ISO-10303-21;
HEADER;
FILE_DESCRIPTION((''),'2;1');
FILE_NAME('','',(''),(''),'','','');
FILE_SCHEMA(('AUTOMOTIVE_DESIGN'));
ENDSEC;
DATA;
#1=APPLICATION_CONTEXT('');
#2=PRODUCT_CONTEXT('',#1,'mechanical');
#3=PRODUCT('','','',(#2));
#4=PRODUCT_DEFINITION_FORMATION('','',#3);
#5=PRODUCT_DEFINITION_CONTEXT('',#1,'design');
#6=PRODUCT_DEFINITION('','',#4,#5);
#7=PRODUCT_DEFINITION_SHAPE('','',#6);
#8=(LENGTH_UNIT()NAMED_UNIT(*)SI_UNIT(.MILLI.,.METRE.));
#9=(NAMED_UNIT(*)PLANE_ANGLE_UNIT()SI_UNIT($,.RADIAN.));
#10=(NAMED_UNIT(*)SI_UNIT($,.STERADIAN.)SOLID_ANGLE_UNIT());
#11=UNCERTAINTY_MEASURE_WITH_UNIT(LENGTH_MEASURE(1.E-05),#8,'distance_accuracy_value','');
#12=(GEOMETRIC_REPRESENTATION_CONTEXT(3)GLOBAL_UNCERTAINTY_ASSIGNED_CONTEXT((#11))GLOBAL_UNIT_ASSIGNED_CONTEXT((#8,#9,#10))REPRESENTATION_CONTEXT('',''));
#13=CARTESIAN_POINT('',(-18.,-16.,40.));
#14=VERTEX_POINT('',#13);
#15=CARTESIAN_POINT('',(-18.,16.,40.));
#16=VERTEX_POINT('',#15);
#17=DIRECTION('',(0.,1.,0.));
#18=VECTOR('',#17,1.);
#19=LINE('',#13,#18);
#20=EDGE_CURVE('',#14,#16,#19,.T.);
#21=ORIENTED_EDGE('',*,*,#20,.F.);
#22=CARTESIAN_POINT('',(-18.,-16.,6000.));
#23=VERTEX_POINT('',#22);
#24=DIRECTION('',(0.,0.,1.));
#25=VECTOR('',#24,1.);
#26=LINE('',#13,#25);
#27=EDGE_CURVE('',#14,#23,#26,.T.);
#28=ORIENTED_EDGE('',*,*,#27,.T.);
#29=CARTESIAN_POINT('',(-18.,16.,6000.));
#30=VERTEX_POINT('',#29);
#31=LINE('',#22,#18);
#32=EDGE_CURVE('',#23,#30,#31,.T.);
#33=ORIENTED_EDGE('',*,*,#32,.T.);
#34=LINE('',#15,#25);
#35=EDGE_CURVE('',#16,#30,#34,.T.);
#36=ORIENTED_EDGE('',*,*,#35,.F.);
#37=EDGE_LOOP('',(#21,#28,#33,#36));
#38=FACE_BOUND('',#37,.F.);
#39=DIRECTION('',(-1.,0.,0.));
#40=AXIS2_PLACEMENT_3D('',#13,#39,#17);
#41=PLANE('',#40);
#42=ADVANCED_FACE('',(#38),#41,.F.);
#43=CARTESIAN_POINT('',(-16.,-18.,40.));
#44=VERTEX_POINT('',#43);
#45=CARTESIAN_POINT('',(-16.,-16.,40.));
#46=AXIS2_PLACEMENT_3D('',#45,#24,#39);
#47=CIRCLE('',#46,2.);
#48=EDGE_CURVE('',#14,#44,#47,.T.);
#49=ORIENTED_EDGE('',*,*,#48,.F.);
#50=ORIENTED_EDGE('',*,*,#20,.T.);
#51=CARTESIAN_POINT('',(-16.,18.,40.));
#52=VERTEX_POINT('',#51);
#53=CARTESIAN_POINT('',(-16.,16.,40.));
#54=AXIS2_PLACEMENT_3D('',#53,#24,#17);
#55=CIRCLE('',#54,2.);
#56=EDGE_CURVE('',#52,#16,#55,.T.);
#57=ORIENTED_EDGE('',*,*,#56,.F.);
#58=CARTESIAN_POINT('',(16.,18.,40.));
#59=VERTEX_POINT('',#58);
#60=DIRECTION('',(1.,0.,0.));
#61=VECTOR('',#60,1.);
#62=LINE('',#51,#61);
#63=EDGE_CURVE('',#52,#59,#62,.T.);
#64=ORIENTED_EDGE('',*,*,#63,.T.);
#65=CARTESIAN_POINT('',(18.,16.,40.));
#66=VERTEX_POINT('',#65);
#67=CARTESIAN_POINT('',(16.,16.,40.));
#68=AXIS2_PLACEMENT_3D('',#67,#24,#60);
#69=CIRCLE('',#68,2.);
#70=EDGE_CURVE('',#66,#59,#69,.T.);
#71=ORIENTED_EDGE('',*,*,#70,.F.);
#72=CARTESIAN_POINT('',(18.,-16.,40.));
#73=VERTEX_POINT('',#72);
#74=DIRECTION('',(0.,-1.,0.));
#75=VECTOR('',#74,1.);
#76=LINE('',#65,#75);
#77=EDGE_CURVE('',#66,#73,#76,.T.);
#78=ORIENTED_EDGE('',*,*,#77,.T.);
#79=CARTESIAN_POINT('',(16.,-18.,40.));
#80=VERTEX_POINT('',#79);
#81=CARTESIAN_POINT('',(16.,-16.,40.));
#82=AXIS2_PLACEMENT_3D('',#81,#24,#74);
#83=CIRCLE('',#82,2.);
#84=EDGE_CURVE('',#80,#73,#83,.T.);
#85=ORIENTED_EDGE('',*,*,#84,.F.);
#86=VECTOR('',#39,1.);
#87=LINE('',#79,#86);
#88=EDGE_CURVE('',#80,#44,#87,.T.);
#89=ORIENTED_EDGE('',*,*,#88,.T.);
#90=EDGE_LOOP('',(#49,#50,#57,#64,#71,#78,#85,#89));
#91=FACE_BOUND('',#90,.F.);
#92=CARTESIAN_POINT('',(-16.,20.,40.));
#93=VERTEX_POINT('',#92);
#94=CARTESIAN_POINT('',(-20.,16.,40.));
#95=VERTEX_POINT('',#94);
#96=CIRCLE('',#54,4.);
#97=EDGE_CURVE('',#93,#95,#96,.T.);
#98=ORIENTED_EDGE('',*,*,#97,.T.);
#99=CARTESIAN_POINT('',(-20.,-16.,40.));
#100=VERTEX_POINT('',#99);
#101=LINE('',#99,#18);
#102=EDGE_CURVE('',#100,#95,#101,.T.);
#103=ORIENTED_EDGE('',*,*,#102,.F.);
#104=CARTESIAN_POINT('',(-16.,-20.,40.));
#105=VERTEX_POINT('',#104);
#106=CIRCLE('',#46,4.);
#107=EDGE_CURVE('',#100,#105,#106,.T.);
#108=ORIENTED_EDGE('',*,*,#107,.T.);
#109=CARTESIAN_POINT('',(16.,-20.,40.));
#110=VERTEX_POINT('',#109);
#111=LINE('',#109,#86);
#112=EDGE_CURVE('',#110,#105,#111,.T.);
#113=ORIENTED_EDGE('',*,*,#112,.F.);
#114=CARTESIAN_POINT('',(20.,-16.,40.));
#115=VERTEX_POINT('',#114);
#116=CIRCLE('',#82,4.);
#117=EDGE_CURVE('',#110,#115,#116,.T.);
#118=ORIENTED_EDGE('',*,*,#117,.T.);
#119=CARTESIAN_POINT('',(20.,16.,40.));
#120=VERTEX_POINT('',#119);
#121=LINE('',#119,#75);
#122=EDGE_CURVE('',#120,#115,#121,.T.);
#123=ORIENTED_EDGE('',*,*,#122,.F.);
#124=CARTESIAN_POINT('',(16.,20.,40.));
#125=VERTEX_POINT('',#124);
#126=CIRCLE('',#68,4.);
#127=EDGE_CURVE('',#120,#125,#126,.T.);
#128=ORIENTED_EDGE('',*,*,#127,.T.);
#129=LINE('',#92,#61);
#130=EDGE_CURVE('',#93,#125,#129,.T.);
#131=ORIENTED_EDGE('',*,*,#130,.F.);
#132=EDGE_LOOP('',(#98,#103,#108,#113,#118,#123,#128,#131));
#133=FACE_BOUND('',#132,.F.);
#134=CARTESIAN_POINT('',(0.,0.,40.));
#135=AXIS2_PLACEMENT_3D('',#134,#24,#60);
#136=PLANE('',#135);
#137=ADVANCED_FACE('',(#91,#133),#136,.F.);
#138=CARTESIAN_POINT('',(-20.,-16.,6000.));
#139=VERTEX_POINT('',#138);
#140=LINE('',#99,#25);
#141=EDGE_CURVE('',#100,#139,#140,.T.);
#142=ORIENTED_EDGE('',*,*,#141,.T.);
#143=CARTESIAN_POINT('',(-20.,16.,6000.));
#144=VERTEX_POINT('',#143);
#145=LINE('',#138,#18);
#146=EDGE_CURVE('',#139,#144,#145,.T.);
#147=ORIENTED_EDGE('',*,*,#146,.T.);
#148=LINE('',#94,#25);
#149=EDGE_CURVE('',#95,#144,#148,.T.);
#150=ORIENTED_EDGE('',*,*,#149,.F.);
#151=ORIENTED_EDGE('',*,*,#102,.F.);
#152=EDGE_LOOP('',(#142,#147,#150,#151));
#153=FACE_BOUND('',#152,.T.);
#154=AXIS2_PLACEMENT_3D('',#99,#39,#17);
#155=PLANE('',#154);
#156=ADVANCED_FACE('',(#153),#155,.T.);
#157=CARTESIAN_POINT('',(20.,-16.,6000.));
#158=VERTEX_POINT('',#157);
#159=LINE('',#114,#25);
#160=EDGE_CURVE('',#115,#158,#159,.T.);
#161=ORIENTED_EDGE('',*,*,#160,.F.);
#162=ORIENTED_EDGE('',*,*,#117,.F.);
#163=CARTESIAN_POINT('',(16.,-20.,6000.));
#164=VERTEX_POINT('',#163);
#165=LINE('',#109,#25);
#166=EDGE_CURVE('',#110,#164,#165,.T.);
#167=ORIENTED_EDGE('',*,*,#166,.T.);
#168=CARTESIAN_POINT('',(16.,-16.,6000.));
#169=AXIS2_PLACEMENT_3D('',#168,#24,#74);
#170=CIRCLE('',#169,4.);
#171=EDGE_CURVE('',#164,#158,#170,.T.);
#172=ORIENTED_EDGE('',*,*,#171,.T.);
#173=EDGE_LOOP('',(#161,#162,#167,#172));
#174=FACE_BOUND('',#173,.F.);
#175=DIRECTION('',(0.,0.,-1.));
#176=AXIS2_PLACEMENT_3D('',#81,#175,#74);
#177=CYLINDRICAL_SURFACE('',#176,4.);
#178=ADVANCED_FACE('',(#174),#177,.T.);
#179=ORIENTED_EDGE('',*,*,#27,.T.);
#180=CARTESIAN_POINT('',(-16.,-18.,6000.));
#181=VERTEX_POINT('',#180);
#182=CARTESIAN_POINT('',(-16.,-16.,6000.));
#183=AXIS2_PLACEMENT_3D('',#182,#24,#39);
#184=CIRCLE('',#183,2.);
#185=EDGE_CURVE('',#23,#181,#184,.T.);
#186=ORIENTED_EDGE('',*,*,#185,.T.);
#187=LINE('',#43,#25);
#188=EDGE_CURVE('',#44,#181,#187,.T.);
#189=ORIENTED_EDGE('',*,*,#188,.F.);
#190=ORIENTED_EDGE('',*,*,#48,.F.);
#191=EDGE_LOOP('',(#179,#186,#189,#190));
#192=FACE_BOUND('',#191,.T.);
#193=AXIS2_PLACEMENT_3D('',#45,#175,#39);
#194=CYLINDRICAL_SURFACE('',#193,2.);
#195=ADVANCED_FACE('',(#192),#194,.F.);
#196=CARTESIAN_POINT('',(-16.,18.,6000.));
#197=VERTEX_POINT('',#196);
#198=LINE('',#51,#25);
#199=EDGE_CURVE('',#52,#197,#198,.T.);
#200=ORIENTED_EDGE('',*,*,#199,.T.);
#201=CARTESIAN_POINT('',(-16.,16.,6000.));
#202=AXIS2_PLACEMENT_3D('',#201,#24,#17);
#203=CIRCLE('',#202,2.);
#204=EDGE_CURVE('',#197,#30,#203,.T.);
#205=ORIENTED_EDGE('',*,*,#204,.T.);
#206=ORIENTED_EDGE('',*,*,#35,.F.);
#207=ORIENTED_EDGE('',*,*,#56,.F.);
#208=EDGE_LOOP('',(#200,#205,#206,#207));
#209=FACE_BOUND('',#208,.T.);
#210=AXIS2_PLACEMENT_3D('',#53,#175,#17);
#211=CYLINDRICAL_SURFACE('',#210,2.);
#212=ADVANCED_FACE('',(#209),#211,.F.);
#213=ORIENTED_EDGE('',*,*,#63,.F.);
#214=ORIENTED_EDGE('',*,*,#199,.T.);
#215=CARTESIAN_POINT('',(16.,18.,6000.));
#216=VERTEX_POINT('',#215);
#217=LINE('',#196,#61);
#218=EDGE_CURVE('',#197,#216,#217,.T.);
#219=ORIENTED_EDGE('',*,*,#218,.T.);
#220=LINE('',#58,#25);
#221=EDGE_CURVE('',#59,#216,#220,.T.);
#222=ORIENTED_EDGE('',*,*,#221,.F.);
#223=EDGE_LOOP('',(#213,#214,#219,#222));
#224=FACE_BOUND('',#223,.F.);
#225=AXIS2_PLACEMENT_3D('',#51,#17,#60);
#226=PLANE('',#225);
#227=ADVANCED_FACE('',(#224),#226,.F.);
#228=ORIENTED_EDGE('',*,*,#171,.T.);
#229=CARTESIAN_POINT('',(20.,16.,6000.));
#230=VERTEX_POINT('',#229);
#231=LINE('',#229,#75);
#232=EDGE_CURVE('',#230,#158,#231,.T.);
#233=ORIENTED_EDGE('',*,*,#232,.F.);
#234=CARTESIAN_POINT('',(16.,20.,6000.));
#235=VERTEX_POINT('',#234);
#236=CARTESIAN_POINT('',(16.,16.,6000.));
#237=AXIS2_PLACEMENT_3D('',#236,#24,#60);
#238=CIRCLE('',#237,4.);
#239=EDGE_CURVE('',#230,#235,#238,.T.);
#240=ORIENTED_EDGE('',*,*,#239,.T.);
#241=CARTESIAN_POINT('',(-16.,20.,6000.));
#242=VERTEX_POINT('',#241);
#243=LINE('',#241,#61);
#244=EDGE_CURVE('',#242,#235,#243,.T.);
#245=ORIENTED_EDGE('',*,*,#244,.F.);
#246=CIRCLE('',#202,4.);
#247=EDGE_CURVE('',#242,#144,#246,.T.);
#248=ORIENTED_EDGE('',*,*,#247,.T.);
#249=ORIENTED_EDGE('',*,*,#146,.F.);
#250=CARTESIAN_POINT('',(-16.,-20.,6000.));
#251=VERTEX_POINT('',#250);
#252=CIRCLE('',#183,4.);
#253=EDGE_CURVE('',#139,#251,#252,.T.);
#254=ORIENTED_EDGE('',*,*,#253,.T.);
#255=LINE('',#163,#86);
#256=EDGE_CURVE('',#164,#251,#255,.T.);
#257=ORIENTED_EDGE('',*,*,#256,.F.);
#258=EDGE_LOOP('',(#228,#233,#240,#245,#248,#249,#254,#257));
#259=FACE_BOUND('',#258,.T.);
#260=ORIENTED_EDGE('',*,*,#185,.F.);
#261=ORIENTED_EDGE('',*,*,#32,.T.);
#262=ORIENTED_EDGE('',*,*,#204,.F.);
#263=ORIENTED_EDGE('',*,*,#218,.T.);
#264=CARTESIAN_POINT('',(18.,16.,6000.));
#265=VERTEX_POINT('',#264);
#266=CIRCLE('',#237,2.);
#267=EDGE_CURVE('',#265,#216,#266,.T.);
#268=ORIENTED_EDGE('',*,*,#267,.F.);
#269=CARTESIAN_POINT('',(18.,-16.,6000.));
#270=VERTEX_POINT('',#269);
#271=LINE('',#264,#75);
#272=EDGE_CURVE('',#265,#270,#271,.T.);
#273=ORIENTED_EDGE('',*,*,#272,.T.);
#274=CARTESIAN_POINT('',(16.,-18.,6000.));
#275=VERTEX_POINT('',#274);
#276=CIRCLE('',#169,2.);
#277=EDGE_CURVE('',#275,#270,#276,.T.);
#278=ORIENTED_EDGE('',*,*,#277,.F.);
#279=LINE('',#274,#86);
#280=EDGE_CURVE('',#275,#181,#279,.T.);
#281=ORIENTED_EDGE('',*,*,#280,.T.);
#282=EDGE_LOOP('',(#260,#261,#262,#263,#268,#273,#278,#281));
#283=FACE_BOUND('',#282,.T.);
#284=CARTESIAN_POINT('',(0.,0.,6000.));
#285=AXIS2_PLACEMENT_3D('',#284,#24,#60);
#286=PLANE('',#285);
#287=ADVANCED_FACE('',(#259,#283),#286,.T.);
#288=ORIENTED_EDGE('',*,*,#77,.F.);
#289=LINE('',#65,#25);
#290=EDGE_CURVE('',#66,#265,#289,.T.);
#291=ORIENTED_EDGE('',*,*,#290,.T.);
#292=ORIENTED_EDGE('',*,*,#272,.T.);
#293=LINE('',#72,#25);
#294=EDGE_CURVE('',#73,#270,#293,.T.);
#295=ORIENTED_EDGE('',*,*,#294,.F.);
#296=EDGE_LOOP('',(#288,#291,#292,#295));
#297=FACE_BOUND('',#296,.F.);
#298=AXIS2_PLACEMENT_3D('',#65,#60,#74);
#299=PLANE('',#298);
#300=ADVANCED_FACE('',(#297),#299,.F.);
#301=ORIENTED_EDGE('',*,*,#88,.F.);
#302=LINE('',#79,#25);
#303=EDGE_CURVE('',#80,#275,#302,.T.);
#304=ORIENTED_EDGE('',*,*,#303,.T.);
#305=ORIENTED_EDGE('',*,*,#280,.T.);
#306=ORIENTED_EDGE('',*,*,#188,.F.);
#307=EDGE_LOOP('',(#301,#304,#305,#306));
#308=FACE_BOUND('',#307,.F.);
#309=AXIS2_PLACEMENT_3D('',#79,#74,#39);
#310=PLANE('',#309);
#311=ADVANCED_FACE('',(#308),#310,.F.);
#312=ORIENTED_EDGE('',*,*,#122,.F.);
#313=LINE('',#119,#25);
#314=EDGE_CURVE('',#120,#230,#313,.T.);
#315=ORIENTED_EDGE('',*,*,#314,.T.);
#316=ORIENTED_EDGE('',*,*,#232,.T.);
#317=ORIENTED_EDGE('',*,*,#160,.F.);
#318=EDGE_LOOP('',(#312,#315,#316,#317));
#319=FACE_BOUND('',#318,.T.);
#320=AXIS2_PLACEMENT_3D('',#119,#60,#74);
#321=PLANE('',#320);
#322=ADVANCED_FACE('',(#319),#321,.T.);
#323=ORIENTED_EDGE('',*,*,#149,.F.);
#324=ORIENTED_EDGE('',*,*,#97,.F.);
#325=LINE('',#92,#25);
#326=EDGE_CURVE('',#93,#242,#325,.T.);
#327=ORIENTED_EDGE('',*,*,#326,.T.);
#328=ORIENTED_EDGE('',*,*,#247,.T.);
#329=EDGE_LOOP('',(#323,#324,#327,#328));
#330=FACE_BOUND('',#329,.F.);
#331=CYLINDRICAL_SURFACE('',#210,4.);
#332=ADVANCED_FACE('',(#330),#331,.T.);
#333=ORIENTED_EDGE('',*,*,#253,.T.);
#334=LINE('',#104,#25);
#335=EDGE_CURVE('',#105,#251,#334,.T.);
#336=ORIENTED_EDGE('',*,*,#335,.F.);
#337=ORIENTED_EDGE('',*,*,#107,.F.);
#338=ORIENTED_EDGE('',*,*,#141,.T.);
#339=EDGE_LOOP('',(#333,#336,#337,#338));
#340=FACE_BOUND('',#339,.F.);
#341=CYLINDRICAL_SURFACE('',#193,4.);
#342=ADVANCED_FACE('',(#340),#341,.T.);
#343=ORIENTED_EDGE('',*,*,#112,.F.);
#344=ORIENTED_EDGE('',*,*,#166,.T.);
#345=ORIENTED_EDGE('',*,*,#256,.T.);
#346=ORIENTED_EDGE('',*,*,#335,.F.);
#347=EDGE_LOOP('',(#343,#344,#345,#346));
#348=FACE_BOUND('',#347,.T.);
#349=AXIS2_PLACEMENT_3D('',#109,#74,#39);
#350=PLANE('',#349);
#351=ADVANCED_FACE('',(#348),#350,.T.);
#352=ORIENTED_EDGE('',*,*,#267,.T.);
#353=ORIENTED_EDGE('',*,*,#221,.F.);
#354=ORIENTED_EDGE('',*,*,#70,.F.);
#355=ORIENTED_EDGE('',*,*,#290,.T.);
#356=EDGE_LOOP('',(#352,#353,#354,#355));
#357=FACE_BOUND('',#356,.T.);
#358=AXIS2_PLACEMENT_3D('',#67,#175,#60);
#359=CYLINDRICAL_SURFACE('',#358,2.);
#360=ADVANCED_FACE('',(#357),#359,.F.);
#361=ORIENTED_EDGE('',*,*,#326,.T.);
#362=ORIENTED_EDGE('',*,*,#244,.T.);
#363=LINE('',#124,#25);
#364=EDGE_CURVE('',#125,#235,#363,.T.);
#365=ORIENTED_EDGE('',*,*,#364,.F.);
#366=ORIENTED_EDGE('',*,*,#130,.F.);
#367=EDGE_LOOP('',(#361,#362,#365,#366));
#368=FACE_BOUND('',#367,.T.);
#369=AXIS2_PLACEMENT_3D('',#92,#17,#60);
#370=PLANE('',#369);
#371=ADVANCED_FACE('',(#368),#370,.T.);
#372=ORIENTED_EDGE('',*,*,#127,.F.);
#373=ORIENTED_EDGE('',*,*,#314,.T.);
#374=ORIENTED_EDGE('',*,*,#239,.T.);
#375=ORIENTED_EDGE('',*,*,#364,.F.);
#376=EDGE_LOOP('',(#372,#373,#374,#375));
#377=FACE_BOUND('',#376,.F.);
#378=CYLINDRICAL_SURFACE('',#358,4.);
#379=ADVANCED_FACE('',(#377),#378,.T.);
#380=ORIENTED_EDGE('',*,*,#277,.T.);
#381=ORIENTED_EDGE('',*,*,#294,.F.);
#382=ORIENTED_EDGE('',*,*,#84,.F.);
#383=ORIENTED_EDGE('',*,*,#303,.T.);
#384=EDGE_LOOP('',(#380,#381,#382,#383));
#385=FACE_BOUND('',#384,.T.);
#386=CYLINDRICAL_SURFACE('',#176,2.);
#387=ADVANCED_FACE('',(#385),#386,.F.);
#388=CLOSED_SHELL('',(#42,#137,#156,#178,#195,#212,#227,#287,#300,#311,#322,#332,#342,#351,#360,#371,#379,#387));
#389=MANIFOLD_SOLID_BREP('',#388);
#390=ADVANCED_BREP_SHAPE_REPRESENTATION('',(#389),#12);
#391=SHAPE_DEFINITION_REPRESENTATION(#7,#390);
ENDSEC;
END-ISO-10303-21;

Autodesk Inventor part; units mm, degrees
ref_plane "YZ Plane" through (0, 0, 0) normal (1, 0, 0) x (0, 1, 0)
ref_plane "Start Plane" through (0, 0, 40) normal (0, 0, 1) x (1, 0, 0)
ref_plane "End Plane" through (0, 0, 6000) normal (0, 0, 1) x (1, 0, 0)
sketch "Sketch" plane through (0, 0, 0) normal (0, 0, 1) x (1, 0, 0)
  line L0 (-20, -16) -> (-20, 16)
  line L1 (-16, 20) -> (16, 20)
  line L2 (20, 16) -> (20, -16)
  line L3 (16, -20) -> (-16, -20)
  arc A0 (-20, -16) -> (-16, -20) centre (-16, -16) ccw
  arc A1 (20, 16) -> (16, 20) centre (16, 16) ccw
  arc A2 (-16, 20) -> (-20, 16) centre (-16, 16) ccw
  arc A3 (16, -20) -> (20, -16) centre (16, -16) ccw
  arc A4 (-16, 18) -> (-18, 16) centre (-16, 16) ccw
  line L4 (-16, 18) -> (16, 18)
  arc A5 (18, 16) -> (16, 18) centre (16, 16) ccw
  line L5 (18, 16) -> (18, -16)
  arc A6 (16, -18) -> (18, -16) centre (16, -16) ccw
  line L6 (16, -18) -> (-16, -18)
  arc A7 (-18, -16) -> (-16, -18) centre (-16, -16) ccw
  line L7 (-18, -16) -> (-18, 16)
  line L8 (0, 29.1598) -> (0, -29.1598) construction
  line L9 (-29.1598, 0) -> (29.1598, 0) construction
  dimension "d7" = 4
  dimension "d9" = 40
  dimension "d11" = 40
  dimension "d12" = 2
  dimension "d15" = 20
  dimension "d16" = 20
extrude "Body" add sketch "Sketch" along normal up to surface (5960 mm away) from surface at 40
sketch "Sketch3" plane through (0, 0, 0) normal (0, 0, 1) x (1, 0, 0)
  line L0 (0, 0) -> (10, 0)
ref_plane "Work Plane3" through (0, 0, 0) normal (0, -1, 0) x (1, 0, 0)
sketch "Sketch4" plane through (0, 0, 0) normal (0, -1, 0) x (1, 0, 0)
  line L0 (-2, 40) -> (12, 40) projected
  line L1 (-2, 6000) -> (12, 6000) projected
  dimension "d18" = 5960
equation "\"d7\" = G_IR"
equation "\"d9\" = G_W"
equation "\"d11\" = G_H"
equation "\"d12\" = G_T"
equation "\"d15\" = 0.5 * d9"
equation "\"d16\" = 0.5 * d11"
equation "\"d3\" = G_L"
equation "\"G_W\" = 40"
equation "\"G_H\" = 40"
equation "\"G_T\" = 2"
equation "\"G_IR\" = 4"
equation "\"G_L\" = d18"
equation "\"G_OFFSET_END\" = 0"
properties part number "ISO 10799-2 - 40x40x2 - 5960" material "Steel, Mild"
